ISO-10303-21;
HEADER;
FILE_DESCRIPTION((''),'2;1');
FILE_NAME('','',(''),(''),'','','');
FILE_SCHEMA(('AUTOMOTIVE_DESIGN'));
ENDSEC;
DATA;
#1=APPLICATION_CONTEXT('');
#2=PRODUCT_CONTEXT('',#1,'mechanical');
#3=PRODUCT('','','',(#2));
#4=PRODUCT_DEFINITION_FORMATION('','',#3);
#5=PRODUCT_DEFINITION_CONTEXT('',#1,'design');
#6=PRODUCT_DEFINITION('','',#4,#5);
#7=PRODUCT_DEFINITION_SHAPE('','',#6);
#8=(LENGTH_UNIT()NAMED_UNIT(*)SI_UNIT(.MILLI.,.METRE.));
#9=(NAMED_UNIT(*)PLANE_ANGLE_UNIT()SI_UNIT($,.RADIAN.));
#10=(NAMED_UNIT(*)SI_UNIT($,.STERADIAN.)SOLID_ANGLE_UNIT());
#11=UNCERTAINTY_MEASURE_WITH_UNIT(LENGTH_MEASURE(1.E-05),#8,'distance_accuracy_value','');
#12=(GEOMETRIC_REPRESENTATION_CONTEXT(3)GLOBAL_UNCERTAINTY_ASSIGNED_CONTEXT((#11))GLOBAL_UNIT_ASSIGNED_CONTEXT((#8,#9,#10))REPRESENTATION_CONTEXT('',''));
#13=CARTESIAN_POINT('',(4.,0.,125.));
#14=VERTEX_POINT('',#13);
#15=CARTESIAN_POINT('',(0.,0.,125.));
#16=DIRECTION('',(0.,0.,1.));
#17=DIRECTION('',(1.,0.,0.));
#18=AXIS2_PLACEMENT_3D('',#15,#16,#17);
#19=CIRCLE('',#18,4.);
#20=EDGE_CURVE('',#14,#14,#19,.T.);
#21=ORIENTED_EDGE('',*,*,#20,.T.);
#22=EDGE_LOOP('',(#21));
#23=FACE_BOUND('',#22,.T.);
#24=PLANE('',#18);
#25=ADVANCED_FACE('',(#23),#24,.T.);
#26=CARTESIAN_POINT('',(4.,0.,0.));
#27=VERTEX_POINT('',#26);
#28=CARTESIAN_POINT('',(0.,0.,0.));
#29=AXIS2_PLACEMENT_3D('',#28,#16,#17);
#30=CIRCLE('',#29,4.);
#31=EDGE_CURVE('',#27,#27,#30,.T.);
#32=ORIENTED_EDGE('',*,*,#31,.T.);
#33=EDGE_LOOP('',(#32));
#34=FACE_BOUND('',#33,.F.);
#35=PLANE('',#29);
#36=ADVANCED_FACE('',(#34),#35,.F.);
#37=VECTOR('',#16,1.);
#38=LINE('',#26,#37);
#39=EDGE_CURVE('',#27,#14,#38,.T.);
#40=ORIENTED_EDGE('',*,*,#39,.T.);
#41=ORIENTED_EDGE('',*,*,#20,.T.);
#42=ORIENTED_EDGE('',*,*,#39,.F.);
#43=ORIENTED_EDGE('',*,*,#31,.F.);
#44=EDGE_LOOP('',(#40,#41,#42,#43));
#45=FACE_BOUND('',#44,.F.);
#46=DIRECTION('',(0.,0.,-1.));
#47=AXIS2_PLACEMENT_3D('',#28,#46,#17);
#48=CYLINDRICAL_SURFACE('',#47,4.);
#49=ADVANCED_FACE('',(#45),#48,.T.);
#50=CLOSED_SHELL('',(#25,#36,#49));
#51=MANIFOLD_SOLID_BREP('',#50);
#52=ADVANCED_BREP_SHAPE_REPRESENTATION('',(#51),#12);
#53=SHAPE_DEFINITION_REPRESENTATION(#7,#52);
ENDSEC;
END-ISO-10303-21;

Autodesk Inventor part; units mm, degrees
ref_plane "YZ Plane" through (0, 0, 0) normal (1, 0, 0) x (0, 1, 0)
ref_plane "XZ Plane" through (0, 0, 0) normal (0, 1, 0) x (-1, 0, 0)
ref_plane "XY Plane" through (0, 0, 0) normal (0, 0, 1) x (1, 0, 0)
sketch "Sketch1" plane through (0, 0, 0) normal (0, 0, 1) x (1, 0, 0)
  circle A0 centre (0, 0) radius 4
  dimension "d0" = 8
  dimension "d0" = 8
extrude "Extrusion1" add sketch "Sketch1" along normal blind 125
properties part number "back axle"
